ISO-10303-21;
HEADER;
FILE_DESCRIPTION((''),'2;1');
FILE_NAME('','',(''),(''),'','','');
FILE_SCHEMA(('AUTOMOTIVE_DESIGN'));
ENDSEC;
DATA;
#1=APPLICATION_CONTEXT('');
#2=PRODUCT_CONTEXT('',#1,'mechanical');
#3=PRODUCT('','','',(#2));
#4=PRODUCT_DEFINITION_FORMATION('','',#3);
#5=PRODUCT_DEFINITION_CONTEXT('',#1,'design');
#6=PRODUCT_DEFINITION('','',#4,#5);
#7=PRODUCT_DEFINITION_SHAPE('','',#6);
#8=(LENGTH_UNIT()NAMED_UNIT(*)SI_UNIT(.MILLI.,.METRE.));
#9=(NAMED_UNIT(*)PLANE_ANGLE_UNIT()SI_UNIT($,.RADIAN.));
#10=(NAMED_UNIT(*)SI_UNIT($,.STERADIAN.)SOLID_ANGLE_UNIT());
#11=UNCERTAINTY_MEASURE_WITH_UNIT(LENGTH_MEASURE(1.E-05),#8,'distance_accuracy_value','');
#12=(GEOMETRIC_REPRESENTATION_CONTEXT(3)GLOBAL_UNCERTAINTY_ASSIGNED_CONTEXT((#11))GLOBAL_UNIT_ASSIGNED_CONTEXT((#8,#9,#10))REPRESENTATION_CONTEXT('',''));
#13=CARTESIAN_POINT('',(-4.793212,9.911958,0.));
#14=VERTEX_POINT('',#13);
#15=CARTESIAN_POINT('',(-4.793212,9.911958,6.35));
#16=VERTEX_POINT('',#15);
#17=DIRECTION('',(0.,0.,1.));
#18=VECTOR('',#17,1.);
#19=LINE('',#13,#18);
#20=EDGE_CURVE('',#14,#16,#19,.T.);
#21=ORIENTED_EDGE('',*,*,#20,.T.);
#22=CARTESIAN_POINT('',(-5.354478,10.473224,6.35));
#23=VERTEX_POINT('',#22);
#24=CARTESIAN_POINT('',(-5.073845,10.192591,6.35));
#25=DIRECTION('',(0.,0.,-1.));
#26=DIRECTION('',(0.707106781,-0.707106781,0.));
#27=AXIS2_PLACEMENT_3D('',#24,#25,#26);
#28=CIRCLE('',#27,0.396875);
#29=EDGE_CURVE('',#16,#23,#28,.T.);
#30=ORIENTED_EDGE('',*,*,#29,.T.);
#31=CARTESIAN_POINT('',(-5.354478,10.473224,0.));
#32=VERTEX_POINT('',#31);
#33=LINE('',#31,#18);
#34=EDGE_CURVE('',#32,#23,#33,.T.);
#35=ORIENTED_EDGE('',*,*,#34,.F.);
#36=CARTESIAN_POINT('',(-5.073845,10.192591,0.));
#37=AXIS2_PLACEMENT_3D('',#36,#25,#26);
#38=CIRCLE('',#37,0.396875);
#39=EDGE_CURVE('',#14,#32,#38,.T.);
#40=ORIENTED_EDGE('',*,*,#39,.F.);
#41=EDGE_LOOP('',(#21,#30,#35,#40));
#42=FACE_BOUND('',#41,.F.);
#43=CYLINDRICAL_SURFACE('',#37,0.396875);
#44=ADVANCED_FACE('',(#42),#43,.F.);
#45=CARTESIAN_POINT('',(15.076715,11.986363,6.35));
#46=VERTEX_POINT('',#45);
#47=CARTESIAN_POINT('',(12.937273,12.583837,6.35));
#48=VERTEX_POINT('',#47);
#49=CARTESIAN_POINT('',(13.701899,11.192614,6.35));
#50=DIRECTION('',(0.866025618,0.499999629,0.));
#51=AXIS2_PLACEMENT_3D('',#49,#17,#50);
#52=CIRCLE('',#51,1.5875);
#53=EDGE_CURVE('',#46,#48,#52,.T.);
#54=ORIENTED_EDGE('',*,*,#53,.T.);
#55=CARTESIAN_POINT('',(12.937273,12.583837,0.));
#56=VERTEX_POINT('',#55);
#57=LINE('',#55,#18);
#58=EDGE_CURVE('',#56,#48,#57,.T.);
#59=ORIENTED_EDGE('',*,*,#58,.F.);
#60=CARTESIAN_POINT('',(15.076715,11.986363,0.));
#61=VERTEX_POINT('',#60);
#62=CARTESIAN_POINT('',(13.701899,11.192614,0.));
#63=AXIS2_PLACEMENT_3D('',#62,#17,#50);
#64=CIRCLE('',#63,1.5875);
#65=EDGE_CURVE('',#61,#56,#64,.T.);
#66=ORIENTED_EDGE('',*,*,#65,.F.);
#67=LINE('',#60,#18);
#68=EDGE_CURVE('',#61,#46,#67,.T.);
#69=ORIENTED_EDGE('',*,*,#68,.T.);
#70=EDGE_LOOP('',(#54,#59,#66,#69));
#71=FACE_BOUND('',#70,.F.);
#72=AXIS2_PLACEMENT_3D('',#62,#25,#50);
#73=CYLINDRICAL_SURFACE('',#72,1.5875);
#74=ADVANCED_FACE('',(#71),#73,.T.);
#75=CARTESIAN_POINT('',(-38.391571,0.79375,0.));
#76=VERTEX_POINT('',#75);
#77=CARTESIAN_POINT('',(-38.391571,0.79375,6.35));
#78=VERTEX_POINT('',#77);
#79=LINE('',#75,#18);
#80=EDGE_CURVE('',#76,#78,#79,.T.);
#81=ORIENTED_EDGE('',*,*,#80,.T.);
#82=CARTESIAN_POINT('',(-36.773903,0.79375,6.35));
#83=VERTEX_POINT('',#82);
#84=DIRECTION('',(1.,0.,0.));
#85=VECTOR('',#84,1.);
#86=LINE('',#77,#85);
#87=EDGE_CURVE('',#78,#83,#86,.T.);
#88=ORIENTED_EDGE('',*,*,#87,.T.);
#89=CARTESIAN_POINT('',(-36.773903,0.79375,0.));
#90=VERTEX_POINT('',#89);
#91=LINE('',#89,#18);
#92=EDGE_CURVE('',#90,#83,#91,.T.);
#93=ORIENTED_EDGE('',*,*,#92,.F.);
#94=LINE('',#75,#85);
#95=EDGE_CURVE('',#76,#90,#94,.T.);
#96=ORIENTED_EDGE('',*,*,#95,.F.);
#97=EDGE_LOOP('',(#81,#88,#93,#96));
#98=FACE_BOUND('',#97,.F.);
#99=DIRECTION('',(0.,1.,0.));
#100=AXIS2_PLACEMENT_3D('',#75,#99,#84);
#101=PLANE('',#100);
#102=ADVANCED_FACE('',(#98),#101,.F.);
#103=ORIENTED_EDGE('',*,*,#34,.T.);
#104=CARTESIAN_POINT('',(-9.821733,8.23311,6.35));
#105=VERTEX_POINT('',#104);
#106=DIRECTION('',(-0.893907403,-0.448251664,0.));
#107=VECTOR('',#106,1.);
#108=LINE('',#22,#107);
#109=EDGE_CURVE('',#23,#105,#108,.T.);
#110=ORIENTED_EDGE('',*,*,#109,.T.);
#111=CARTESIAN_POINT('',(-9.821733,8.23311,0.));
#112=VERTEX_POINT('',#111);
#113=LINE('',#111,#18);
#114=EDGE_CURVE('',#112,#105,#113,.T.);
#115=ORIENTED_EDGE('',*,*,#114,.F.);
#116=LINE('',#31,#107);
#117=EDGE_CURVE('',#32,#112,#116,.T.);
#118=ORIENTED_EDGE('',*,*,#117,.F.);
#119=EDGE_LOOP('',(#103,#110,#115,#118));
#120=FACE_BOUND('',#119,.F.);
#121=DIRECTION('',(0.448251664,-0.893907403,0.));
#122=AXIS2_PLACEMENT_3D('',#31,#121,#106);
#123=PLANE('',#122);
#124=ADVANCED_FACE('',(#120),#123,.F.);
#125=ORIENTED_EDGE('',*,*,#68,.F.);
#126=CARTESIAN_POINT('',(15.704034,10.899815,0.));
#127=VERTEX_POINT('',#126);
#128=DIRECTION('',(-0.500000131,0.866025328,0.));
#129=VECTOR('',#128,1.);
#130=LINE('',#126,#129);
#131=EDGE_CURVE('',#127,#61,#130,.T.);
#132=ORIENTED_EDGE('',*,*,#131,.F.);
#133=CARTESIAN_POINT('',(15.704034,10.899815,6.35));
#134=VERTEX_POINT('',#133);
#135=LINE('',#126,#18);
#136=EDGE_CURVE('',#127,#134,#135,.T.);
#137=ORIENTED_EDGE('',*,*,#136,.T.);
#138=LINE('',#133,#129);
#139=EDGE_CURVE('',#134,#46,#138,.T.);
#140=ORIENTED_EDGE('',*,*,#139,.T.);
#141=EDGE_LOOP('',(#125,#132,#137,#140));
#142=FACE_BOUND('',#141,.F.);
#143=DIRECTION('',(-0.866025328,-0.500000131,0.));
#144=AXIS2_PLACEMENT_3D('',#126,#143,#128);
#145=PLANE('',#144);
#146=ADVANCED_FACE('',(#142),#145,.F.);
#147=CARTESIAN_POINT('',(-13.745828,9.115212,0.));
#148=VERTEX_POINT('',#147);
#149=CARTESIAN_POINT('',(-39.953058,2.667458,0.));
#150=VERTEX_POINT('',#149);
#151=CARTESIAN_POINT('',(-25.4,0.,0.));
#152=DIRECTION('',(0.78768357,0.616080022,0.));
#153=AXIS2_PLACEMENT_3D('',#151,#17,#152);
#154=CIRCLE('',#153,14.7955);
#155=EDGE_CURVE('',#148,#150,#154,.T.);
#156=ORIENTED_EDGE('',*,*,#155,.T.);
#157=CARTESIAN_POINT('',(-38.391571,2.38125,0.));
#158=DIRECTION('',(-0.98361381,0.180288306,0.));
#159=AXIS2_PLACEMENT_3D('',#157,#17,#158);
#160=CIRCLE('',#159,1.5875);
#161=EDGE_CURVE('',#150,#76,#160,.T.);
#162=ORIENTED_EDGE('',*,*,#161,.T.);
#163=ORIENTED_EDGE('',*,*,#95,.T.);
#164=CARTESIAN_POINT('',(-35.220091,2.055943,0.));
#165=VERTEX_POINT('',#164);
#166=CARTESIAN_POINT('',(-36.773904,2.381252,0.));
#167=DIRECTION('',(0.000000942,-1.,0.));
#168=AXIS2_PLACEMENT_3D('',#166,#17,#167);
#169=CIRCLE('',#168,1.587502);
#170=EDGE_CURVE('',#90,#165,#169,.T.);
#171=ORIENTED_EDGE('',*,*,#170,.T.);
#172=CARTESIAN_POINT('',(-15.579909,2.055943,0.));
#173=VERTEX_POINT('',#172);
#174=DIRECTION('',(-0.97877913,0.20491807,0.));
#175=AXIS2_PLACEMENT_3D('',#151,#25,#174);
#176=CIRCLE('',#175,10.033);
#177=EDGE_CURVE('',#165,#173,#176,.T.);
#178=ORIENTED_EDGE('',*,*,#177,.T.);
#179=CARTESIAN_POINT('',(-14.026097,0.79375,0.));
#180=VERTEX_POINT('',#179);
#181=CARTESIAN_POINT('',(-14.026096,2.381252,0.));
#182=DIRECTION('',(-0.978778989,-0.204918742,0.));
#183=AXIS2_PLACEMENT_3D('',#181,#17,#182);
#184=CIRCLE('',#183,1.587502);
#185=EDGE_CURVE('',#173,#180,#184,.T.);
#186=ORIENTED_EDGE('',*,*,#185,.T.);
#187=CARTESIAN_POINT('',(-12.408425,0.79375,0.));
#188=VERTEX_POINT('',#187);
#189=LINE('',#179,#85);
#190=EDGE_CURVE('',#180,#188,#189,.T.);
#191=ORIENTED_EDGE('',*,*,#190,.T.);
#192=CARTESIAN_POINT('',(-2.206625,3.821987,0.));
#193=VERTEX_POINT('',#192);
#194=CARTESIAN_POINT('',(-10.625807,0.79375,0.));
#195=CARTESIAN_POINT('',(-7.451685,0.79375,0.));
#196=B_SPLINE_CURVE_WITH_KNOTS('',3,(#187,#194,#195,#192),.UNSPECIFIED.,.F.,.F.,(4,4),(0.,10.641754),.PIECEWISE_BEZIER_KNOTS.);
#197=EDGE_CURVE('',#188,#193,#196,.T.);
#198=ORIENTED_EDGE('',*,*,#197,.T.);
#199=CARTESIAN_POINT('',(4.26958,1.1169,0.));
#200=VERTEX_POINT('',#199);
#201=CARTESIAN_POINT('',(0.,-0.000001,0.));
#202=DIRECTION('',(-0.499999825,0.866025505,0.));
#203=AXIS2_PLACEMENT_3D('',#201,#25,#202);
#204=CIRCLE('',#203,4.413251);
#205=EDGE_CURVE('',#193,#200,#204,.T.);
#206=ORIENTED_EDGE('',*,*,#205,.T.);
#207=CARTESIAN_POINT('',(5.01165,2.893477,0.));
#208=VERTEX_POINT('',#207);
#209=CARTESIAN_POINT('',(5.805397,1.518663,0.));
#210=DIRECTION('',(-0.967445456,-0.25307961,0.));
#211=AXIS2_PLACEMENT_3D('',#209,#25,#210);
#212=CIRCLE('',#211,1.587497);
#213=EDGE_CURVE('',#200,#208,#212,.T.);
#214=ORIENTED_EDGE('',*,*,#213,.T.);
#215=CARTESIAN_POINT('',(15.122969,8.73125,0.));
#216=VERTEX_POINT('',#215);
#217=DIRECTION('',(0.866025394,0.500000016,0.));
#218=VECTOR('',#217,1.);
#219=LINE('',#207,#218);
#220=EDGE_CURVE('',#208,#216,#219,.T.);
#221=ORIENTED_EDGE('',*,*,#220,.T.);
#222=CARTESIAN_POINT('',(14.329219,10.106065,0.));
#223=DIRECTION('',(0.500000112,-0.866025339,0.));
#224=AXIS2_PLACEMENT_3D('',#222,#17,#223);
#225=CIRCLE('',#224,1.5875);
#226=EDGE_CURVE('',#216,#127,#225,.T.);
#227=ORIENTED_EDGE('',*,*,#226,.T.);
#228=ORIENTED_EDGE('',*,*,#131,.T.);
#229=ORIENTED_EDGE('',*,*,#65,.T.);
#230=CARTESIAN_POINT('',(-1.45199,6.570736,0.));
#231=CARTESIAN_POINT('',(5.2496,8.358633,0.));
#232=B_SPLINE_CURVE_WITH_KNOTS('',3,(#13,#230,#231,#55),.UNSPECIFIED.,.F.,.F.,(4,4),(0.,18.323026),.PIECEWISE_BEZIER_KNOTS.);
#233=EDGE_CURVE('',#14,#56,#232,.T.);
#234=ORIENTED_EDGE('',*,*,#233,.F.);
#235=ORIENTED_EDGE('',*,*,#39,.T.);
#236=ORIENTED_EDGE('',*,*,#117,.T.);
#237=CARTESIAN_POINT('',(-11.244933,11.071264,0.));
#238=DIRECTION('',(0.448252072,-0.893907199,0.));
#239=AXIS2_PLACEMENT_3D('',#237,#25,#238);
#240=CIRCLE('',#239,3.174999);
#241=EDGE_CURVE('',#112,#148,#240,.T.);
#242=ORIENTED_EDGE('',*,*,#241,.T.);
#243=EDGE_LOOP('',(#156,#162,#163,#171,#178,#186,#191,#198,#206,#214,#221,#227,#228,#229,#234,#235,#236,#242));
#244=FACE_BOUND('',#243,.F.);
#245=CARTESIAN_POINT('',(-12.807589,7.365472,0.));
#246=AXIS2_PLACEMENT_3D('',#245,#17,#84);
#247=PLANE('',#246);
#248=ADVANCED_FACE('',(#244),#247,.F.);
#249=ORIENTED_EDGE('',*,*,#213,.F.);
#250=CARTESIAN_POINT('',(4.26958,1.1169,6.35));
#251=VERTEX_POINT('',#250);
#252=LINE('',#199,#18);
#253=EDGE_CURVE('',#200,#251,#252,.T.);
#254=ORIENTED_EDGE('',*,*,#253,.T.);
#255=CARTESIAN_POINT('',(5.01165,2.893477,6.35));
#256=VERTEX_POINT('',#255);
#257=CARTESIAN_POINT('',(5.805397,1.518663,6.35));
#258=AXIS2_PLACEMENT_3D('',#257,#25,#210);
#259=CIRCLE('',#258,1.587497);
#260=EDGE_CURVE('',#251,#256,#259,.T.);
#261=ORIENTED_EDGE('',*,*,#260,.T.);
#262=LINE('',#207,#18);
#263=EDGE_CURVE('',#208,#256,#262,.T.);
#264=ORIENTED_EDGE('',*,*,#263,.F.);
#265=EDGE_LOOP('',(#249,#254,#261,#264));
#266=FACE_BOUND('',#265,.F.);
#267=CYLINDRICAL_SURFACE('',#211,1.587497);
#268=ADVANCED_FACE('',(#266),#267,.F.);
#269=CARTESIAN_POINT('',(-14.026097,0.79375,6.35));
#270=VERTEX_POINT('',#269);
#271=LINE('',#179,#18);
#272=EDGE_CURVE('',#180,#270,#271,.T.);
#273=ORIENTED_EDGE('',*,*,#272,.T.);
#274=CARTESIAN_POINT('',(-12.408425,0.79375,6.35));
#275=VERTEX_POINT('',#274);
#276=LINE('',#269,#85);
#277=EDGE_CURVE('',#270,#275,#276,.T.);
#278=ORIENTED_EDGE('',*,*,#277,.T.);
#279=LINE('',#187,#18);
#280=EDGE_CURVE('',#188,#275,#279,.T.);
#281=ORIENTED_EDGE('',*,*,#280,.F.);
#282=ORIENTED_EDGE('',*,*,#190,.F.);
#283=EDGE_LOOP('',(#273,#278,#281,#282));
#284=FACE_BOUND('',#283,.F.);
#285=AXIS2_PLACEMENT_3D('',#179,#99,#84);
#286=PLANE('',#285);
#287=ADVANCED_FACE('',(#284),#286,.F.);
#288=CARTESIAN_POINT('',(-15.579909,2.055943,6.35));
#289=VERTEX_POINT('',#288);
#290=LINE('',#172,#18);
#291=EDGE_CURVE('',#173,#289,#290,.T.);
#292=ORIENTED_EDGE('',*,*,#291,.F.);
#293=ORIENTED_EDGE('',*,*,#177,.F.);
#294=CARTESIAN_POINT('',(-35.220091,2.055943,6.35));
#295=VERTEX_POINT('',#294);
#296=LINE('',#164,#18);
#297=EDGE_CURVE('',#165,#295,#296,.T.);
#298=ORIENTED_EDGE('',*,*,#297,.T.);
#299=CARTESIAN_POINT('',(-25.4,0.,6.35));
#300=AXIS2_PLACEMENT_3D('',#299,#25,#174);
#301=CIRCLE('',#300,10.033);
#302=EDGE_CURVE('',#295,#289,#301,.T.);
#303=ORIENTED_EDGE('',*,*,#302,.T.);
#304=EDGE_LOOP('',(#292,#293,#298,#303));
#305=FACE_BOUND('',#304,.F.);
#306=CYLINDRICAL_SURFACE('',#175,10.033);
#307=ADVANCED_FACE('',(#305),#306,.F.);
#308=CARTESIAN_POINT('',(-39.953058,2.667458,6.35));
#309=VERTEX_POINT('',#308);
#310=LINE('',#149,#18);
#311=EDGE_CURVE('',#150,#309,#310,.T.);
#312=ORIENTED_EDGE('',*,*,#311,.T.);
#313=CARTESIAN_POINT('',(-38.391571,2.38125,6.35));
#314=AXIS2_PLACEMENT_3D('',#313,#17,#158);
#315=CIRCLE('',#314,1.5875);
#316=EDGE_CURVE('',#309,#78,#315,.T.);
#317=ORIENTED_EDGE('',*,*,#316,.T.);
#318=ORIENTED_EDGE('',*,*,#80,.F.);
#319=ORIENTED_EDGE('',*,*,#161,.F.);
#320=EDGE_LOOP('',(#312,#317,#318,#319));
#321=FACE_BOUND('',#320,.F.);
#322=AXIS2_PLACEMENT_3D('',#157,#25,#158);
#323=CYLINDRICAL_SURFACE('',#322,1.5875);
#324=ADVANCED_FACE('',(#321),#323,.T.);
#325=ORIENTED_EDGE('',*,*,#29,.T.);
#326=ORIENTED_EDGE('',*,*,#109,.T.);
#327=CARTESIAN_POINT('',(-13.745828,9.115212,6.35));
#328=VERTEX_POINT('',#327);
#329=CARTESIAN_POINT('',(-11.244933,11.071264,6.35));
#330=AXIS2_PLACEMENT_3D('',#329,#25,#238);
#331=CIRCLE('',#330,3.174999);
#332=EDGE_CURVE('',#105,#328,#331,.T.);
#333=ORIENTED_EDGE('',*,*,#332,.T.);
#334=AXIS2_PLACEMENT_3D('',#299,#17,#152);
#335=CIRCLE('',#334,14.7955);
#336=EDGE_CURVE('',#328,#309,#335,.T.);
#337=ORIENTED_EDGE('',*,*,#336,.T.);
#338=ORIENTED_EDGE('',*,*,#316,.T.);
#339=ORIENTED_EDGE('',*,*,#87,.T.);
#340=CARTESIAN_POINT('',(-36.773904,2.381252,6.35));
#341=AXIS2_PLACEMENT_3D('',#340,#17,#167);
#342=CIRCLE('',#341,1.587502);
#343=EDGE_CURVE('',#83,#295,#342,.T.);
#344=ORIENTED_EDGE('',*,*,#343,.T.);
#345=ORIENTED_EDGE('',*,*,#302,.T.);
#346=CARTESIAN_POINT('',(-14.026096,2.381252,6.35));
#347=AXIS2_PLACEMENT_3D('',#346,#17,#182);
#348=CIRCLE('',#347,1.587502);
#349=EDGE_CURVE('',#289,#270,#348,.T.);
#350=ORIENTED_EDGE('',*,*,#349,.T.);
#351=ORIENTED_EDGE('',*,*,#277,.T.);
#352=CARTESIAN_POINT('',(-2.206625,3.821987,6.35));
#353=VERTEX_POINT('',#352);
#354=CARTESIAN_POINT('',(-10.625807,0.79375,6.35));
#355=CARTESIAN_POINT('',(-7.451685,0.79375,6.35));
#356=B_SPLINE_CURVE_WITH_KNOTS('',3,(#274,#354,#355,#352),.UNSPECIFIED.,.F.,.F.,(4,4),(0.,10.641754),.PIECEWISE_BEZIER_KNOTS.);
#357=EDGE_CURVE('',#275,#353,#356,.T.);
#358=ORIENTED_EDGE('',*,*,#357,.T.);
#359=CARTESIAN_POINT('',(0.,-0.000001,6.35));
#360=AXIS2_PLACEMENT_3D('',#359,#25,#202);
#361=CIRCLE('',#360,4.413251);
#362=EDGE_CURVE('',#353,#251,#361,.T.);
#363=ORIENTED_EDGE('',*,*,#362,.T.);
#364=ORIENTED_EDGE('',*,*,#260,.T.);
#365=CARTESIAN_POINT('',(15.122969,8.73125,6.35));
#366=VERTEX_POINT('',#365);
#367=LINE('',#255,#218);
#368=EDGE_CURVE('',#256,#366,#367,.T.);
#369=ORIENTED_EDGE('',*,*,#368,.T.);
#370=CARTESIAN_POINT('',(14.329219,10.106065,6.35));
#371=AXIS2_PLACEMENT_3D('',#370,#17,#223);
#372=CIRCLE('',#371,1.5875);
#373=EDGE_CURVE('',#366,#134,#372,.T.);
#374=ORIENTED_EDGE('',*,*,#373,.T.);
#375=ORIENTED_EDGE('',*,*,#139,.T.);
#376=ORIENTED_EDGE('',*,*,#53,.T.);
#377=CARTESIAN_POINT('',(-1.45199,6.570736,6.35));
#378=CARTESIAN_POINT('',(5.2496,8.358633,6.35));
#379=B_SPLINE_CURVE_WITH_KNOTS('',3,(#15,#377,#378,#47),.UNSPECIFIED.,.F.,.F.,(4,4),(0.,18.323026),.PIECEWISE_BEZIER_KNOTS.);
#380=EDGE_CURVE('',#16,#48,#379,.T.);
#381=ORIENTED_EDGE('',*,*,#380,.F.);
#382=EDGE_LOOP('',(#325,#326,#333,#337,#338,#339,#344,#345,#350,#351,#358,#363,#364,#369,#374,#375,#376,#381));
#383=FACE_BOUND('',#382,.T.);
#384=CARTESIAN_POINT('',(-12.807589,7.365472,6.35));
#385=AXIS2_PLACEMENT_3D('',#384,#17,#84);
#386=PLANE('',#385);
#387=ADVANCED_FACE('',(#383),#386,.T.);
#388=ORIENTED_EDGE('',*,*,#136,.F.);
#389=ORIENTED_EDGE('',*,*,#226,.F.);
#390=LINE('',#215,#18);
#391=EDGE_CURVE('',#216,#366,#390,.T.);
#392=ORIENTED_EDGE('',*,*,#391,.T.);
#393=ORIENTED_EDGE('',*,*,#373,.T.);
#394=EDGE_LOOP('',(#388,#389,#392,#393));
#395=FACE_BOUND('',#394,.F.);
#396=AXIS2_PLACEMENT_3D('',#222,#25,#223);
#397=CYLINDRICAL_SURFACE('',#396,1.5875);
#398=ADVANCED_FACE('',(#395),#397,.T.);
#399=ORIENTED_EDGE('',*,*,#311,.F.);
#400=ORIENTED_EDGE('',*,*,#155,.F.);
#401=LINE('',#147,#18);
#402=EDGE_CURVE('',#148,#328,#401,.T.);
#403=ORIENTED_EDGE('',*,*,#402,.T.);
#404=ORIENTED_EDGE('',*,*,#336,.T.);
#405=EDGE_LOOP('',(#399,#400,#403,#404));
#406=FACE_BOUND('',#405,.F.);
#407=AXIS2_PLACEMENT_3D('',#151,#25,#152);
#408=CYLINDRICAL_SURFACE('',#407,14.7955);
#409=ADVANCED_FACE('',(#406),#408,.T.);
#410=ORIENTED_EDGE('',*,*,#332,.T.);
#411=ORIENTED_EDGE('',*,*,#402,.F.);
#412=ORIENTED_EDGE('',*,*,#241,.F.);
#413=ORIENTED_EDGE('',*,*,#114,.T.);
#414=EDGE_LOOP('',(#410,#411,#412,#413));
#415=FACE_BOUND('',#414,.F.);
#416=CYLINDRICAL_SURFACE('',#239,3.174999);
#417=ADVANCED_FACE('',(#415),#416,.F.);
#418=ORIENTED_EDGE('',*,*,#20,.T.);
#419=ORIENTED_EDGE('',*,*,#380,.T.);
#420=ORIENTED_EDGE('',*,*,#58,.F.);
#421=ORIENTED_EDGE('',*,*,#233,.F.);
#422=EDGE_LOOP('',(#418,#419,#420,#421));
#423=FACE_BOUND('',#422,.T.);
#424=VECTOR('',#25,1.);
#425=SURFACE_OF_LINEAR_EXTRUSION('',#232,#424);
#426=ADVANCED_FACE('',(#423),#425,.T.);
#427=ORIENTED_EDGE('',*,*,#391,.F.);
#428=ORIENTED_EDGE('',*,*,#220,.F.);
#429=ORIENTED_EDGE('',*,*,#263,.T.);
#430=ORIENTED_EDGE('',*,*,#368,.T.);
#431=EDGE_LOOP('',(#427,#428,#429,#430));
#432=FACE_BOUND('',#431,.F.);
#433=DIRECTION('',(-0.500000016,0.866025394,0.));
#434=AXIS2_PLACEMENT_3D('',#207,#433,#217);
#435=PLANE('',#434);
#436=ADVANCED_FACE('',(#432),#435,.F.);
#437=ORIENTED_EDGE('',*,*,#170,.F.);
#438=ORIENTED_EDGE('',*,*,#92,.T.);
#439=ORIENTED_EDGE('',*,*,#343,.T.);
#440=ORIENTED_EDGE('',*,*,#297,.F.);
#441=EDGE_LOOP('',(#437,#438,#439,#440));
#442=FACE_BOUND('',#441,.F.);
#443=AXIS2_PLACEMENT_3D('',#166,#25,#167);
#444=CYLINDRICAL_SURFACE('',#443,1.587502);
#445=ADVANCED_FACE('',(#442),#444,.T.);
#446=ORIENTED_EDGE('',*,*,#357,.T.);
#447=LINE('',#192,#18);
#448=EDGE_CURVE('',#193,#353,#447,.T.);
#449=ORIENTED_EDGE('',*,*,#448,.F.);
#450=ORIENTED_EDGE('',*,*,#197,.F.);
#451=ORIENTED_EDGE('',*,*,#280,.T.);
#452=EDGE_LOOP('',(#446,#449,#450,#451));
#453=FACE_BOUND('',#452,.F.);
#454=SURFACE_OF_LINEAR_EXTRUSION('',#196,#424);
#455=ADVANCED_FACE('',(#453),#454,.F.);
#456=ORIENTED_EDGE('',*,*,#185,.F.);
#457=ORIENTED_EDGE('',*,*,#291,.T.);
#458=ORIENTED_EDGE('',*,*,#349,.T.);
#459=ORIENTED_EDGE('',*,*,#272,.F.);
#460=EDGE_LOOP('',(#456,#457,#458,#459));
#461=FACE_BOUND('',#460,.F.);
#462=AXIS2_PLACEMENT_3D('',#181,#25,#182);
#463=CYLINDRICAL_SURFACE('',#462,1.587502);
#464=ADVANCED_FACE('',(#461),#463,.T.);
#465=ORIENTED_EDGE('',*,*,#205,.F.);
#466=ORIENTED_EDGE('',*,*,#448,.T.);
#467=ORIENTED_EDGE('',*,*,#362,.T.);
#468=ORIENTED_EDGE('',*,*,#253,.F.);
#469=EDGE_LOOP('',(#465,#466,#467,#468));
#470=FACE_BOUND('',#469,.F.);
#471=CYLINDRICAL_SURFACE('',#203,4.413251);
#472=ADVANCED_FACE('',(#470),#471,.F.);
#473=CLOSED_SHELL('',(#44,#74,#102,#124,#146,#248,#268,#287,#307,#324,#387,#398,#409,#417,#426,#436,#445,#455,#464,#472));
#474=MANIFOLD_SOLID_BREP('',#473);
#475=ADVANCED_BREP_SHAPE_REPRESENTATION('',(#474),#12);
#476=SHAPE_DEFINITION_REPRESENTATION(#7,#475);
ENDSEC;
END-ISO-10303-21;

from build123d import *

# Parameters (mm, degrees)
F1_DEPTH = 6.35


with BuildPart() as f1:
    # F0 (on Top) → F1 (new body)
    with BuildSketch(Plane.XY):
        with BuildLine():
            ThreePointArc((-9.821733, 8.23311), (-11.941268, 7.973566), (-13.745828, 9.115212))
            ThreePointArc((-13.745828, 9.115212), (-28.934723, 14.367065), (-39.953058, 2.667458))
            ThreePointArc((-39.953058, 2.667458), (-39.611102, 1.364933), (-38.391571, 0.79375))
            Line((-38.391571, 0.79375), (-36.773903, 0.79375))
            ThreePointArc((-36.773903, 0.79375), (-35.772971, 1.149061), (-35.220091, 2.055943))
            ThreePointArc((-35.220091, 2.055943), (-25.4, 10.033), (-15.579909, 2.055943))
            ThreePointArc((-15.579909, 2.055943), (-15.027029, 1.149061), (-14.026097, 0.79375))
            Line((-14.026097, 0.79375), (-12.408425, 0.79375))
            add(Edge.make_bspline(
                [(-12.408425, 0.79375), (-10.625807, 0.79375), (-7.451685, 0.79375), (-2.206625, 3.821987)],
                knots=[0, 0, 0, 0, 10.641754, 10.641754, 10.641754, 10.641754], degree=3))
            ThreePointArc((-2.206625, 3.821987), (1.700976, 4.072279), (4.26958, 1.1169))
            ThreePointArc((4.26958, 1.1169), (4.340551, 2.130524), (5.01165, 2.893477))
            Line((5.01165, 2.893477), (15.122969, 8.73125))
            ThreePointArc((15.122969, 8.73125), (15.862626, 9.69519), (15.704034, 10.899815))
            Line((15.704034, 10.899815), (15.076715, 11.986363))
            ThreePointArc((15.076715, 11.986363), (14.128896, 12.72161), (12.937273, 12.583837))
            add(Edge.make_bspline(
                [(-4.793212, 9.911958), (-1.45199, 6.570736), (5.2496, 8.358633), (12.937273, 12.583837)],
                knots=[0, 0, 0, 0, 18.323026, 18.323026, 18.323026, 18.323026], degree=3))
            ThreePointArc((-4.793212, 9.911958), (-5.354478, 9.911958), (-5.354478, 10.473224))
            Line((-5.354478, 10.473224), (-9.821733, 8.23311))
        make_face()
    extrude(amount=F1_DEPTH)


solid = f1.part
